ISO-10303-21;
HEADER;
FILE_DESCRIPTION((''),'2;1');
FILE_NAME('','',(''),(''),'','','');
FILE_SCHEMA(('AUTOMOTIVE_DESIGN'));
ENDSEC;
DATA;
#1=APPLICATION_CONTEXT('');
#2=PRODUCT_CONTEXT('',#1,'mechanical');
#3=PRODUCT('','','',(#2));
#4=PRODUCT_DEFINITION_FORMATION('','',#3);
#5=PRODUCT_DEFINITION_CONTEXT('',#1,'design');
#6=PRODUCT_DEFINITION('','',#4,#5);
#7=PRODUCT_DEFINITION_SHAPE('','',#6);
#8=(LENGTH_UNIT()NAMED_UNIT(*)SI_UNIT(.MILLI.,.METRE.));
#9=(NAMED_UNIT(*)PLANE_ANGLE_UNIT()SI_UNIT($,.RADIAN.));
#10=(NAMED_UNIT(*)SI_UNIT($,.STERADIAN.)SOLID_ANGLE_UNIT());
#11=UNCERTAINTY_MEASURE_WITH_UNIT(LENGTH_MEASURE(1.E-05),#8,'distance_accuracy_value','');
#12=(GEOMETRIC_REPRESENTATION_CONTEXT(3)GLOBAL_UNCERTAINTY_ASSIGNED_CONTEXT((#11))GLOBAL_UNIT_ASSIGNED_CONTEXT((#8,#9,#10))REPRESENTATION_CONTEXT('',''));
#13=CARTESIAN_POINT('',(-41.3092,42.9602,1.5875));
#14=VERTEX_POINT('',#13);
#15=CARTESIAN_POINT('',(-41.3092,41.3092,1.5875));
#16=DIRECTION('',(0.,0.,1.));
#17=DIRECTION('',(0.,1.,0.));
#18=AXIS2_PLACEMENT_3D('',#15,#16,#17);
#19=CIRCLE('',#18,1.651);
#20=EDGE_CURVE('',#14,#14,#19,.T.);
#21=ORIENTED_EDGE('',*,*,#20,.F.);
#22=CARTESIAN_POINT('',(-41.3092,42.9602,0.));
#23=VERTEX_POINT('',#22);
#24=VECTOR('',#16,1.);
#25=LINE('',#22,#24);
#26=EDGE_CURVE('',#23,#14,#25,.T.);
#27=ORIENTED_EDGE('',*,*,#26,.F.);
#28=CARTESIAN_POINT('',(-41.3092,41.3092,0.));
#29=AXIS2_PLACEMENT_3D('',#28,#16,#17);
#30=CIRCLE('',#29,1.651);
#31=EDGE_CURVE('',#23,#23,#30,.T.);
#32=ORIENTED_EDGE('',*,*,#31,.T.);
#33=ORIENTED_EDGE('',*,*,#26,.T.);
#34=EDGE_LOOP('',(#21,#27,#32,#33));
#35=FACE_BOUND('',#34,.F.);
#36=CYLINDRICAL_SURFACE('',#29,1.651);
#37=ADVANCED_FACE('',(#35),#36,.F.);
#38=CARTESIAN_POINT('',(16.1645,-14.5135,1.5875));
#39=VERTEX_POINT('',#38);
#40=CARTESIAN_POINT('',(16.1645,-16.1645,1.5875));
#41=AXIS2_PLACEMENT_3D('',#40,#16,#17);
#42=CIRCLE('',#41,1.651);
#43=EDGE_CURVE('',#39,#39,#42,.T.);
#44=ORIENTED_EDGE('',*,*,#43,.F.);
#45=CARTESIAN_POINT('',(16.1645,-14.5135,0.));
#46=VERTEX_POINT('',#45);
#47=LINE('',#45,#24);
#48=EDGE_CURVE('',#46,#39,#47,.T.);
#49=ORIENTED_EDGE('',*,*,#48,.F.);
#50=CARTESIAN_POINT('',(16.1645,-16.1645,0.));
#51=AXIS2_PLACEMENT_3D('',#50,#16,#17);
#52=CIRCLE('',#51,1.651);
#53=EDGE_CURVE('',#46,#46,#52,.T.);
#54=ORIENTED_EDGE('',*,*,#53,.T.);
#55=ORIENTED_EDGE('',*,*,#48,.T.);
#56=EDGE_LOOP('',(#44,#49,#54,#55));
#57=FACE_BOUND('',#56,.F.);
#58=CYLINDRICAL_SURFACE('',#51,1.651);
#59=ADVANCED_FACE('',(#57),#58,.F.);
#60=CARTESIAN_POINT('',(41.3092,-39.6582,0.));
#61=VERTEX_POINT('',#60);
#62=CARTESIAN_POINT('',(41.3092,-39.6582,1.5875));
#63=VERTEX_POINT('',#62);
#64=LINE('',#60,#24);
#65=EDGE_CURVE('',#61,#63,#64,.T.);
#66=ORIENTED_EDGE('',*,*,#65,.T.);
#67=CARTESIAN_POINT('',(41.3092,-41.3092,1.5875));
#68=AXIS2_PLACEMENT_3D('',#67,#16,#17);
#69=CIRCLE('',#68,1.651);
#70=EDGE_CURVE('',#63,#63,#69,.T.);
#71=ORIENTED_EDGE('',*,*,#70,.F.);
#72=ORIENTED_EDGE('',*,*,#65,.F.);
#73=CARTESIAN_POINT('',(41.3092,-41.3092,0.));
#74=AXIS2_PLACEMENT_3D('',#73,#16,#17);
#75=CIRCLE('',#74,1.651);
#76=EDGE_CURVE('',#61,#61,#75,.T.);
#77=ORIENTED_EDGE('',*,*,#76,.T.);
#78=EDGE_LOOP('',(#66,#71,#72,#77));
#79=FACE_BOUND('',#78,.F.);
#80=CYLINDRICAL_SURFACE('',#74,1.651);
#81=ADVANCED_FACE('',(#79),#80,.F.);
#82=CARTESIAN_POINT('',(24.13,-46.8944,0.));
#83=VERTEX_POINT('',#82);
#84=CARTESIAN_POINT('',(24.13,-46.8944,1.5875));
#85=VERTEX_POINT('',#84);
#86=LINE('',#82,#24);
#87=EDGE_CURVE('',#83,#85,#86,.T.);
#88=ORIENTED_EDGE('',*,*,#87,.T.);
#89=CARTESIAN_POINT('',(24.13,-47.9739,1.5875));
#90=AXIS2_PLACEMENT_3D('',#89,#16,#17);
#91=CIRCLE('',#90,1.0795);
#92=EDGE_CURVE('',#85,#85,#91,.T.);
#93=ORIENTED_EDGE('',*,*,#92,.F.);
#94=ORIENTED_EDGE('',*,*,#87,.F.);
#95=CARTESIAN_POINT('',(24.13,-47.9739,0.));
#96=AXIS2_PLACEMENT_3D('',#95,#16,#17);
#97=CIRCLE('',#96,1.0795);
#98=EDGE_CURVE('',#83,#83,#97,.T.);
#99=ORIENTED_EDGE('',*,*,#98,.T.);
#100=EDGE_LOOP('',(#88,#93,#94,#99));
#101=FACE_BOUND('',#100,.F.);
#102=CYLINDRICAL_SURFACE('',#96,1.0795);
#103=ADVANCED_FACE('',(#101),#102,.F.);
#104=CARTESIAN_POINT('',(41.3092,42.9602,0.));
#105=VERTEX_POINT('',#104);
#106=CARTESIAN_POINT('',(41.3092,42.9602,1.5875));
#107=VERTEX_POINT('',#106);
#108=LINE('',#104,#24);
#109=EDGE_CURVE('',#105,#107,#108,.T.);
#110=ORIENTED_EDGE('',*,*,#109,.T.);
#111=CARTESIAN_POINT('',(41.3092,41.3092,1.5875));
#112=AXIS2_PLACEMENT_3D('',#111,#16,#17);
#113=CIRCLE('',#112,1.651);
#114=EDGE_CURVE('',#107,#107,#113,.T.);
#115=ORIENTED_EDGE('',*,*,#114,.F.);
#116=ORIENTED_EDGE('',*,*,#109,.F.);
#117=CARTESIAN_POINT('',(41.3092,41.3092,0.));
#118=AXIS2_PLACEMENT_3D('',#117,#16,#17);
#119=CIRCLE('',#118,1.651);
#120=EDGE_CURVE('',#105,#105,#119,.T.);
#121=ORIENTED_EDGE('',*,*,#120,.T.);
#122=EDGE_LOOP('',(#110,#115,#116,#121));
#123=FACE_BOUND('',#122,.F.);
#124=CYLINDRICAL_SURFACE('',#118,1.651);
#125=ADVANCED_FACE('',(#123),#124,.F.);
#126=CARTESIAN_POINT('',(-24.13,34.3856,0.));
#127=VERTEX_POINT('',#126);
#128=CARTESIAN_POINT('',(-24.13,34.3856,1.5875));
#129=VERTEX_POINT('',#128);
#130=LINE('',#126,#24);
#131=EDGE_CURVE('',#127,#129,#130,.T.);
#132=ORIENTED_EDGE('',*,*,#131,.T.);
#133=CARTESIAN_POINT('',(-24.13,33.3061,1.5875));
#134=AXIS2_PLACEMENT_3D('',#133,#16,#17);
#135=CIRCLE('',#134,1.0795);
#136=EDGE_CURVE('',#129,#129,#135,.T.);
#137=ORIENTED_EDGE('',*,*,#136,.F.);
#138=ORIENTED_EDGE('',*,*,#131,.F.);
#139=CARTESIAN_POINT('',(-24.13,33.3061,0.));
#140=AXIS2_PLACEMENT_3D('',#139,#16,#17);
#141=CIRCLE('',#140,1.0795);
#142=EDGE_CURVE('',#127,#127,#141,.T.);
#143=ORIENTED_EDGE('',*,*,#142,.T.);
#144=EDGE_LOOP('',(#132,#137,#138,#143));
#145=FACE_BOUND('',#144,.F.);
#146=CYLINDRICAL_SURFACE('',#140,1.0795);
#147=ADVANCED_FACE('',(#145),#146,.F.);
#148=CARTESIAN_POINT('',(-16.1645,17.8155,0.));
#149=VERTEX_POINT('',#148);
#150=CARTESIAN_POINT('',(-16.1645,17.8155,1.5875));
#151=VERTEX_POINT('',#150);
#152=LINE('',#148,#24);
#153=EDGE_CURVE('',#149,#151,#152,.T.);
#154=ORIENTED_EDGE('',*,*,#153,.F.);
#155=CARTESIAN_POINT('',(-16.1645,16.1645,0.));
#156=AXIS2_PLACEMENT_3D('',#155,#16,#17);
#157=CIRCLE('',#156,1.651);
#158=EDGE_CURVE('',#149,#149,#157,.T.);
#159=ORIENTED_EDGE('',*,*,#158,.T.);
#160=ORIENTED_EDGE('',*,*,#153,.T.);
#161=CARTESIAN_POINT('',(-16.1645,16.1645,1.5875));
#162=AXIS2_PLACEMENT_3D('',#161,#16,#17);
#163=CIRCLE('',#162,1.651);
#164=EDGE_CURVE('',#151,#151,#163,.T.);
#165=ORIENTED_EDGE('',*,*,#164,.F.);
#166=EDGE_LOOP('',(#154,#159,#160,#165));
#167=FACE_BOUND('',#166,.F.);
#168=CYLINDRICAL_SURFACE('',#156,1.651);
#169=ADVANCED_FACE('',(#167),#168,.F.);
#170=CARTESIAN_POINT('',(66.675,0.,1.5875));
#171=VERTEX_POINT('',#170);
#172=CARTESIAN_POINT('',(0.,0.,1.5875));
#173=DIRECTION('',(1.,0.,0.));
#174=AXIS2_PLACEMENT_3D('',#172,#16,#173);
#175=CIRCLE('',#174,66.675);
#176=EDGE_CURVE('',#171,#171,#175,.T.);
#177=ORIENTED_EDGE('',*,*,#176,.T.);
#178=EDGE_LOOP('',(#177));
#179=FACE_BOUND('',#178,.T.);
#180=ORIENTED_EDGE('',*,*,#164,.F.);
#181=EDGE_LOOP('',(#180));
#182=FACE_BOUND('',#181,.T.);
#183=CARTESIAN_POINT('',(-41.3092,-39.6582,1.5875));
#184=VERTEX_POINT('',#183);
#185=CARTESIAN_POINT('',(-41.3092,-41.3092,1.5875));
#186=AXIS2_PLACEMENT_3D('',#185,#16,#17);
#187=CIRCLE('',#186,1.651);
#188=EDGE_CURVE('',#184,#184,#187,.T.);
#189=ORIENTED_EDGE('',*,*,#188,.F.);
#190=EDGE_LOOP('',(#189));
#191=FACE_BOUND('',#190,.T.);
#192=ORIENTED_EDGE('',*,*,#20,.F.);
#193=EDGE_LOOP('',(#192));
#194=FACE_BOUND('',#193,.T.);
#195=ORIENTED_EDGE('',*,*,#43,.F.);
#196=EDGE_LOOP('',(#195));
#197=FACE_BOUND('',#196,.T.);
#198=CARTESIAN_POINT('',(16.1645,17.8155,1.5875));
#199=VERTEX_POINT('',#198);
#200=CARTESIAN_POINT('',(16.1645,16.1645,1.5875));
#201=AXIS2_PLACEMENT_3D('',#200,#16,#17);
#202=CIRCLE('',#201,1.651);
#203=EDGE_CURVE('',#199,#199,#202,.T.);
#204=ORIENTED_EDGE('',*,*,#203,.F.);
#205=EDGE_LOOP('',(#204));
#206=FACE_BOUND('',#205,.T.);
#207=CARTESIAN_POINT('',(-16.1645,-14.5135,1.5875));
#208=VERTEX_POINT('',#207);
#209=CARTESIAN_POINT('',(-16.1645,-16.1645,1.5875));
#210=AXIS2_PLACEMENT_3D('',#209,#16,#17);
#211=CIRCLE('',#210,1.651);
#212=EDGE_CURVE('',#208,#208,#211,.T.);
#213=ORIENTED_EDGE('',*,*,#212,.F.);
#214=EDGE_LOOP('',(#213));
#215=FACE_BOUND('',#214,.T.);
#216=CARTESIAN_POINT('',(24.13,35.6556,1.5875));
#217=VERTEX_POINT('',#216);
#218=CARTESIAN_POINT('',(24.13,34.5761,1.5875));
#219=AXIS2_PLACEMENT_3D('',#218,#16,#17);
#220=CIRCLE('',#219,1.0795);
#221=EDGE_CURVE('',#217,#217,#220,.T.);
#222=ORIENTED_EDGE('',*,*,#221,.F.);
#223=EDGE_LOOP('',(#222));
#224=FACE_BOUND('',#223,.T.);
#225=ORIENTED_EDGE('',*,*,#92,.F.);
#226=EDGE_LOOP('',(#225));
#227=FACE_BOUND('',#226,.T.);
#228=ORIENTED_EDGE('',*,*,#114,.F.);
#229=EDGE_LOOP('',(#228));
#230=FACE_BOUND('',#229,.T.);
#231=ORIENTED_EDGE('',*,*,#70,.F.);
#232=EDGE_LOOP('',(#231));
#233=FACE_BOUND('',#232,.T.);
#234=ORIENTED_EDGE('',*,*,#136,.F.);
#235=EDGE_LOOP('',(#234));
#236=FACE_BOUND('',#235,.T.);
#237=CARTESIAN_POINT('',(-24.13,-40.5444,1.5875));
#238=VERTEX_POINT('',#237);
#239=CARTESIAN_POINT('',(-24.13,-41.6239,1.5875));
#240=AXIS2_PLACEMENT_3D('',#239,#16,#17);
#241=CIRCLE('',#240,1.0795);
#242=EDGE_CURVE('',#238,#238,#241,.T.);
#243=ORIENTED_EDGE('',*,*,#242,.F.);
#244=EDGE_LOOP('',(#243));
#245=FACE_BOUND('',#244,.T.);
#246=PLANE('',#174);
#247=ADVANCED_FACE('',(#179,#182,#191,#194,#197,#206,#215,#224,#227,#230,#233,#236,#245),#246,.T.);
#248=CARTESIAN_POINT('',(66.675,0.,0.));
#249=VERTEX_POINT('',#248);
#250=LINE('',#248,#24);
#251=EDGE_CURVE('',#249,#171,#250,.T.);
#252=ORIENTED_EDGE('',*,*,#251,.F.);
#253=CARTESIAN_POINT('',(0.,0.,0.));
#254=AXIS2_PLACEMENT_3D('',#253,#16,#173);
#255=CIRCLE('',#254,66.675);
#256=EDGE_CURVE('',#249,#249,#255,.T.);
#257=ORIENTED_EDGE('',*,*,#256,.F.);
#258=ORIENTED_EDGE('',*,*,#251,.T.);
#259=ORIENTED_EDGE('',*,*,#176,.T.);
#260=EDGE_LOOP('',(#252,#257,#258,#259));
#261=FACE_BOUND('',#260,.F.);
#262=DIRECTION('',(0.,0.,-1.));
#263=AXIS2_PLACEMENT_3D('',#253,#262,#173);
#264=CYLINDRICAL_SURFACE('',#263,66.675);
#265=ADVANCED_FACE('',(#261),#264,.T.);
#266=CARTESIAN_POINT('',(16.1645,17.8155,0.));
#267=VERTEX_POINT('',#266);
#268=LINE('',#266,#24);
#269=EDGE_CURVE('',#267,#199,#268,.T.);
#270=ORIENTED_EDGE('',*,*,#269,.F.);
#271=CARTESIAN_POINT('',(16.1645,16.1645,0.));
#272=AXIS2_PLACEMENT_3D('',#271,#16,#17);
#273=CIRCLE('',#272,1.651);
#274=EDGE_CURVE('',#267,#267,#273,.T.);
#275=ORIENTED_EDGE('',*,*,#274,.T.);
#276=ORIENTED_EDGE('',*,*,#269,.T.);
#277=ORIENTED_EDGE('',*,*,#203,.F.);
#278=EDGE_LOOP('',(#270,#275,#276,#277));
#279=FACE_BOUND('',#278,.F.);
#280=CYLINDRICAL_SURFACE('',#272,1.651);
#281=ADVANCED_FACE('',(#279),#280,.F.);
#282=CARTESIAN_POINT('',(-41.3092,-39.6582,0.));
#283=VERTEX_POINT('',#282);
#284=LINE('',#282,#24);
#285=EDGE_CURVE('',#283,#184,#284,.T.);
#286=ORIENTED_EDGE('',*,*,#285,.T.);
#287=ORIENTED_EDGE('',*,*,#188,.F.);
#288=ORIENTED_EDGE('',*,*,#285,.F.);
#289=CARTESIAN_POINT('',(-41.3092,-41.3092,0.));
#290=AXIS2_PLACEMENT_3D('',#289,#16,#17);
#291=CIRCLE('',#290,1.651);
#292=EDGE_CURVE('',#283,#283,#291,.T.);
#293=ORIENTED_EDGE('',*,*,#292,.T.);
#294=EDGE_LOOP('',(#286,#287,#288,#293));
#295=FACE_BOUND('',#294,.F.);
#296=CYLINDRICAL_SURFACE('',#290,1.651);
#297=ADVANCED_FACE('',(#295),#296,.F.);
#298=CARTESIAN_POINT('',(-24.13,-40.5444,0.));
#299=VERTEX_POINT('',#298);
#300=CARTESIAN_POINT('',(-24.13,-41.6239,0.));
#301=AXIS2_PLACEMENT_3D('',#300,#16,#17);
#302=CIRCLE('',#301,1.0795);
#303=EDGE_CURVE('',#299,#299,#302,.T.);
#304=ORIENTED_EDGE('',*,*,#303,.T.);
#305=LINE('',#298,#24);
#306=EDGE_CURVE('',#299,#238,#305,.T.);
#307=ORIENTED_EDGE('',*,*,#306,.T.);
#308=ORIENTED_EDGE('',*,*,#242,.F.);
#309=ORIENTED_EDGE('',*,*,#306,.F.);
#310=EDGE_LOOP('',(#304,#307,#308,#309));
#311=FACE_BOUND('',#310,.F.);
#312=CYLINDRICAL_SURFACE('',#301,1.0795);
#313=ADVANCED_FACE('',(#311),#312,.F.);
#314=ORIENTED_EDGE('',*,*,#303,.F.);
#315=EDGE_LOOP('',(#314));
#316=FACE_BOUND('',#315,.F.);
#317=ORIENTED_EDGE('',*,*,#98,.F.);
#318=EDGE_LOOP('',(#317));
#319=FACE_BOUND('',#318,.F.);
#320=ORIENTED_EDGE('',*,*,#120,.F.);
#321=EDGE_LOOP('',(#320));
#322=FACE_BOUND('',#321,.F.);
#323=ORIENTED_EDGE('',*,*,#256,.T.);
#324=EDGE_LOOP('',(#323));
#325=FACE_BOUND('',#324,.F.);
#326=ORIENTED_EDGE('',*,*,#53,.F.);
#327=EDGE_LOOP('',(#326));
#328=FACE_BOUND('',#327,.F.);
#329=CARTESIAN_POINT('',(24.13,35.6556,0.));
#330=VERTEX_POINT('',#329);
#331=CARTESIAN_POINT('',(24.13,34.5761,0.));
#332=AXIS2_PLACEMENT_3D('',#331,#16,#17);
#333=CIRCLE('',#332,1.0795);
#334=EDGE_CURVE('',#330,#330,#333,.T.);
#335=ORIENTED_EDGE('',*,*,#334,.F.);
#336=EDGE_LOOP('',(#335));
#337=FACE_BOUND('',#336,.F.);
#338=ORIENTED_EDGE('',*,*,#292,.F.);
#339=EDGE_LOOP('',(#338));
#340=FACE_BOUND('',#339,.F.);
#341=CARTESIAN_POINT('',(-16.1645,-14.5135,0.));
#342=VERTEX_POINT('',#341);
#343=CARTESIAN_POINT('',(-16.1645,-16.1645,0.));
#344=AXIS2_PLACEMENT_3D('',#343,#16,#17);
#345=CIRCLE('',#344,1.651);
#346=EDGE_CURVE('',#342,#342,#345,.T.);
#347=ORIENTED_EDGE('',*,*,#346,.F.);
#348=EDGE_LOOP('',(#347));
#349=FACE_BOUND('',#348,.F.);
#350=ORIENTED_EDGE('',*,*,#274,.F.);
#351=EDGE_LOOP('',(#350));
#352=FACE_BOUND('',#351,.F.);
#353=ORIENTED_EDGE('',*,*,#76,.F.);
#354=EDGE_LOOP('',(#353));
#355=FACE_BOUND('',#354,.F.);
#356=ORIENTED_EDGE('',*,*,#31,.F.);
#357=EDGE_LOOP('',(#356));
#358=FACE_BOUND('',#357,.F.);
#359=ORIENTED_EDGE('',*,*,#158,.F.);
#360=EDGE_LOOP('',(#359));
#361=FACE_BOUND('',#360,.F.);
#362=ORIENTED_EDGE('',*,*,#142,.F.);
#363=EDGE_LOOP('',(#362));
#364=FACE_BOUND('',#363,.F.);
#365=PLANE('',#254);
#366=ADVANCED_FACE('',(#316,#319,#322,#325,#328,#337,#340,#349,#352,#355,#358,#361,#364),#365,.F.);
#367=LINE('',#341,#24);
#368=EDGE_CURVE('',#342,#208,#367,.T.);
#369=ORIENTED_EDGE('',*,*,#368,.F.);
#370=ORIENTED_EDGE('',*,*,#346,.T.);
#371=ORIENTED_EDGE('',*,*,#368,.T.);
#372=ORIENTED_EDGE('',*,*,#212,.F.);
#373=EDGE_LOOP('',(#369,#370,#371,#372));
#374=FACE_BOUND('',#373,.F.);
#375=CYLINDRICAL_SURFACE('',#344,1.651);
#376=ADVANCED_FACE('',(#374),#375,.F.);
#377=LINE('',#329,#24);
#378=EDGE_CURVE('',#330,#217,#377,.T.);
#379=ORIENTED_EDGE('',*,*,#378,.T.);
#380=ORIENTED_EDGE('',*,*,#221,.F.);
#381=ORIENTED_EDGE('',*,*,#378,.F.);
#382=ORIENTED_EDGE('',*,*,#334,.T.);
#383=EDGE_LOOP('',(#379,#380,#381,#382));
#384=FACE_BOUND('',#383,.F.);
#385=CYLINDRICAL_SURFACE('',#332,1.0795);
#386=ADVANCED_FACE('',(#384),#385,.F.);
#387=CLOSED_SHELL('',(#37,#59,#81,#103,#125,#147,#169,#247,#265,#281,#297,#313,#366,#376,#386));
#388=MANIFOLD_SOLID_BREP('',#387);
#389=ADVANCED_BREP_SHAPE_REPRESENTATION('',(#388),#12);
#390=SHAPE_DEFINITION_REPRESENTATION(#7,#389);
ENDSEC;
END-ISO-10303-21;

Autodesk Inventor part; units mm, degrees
ref_plane "YZ Plane" through (0, 0, 0) normal (1, 0, 0) x (0, 1, 0)
ref_plane "XZ Plane" through (0, 0, 0) normal (0, 1, 0) x (-1, 0, 0)
ref_plane "XY Plane" through (0, 0, 0) normal (0, 0, 1) x (1, 0, 0)
sketch "Sketch1" plane through (0, 0, 0) normal (0, 0, 1) x (1, 0, 0)
  line L0 (0, 3.1673) -> (0, -2.4908)
  line L1 (-20.5368, 0) -> (25.7294, 0)
  line L2 (0, 0) -> (-9.8402, -9.8402)
  line L3 (0, 0) -> (13.9161, 0) construction
  line L4 (0, 0) -> (-23.2805, 23.2805)
  circle A0 centre (0, 0) radius 66.675
  point P0 (-16.1645, 16.1645)
  point P1 (-41.3092, 41.3092)
  point P2 (-41.3092, -41.3092)
  point P3 (-16.1645, -16.1645)
  point P4 (16.1645, 16.1645)
  point P5 (41.3092, 41.3092)
  point P6 (41.3092, -41.3092)
  point P7 (16.1645, -16.1645)
  point P8 (24.13, -47.9739)
  point P9 (24.13, 34.5761)
  point P10 (-24.13, 33.3061)
  point P11 (-24.13, -41.6239)
  dimension "d1" = 45
  dimension "d57" = 35.56
  dimension "d58" = 22.86
  dimension "d59" = 48.26
  dimension "d60" = 48.26
  dimension "d61" = 74.93
  dimension "d62" = 82.55
  dimension "d63" = 6.35
  dimension "d64" = 1.27
  dimension "d65" = 24.13
  dimension "d66" = 133.35
extrude "Extrusion1" add sketch "Sketch1" along normal blind 1.5875
hole "Hole1" at (-16.1645, 16.1645, 0) at (-41.3092, 41.3092, 0) at (-41.3092, -41.3092, 0) at (-16.1645, -16.1645, 0) at (41.3092, 41.3092, 0) at (16.1645, 16.1645, 0) at (16.1645, -16.1645, 0) at (41.3092, -41.3092, 0) direction (0, 0, 1) diameter 3.302 end through all thread size "8-32 UNC" class "2B" standard "ANSI Unified Screw Threads"
hole "Hole2" at (24.13, -47.9739, 0) at (24.13, 34.5761, 0) at (-24.13, 33.3061, 0) at (-24.13, -41.6239, 0) direction (0, 0, 1) diameter 2.159 end through all
properties part number "BaseTop"
